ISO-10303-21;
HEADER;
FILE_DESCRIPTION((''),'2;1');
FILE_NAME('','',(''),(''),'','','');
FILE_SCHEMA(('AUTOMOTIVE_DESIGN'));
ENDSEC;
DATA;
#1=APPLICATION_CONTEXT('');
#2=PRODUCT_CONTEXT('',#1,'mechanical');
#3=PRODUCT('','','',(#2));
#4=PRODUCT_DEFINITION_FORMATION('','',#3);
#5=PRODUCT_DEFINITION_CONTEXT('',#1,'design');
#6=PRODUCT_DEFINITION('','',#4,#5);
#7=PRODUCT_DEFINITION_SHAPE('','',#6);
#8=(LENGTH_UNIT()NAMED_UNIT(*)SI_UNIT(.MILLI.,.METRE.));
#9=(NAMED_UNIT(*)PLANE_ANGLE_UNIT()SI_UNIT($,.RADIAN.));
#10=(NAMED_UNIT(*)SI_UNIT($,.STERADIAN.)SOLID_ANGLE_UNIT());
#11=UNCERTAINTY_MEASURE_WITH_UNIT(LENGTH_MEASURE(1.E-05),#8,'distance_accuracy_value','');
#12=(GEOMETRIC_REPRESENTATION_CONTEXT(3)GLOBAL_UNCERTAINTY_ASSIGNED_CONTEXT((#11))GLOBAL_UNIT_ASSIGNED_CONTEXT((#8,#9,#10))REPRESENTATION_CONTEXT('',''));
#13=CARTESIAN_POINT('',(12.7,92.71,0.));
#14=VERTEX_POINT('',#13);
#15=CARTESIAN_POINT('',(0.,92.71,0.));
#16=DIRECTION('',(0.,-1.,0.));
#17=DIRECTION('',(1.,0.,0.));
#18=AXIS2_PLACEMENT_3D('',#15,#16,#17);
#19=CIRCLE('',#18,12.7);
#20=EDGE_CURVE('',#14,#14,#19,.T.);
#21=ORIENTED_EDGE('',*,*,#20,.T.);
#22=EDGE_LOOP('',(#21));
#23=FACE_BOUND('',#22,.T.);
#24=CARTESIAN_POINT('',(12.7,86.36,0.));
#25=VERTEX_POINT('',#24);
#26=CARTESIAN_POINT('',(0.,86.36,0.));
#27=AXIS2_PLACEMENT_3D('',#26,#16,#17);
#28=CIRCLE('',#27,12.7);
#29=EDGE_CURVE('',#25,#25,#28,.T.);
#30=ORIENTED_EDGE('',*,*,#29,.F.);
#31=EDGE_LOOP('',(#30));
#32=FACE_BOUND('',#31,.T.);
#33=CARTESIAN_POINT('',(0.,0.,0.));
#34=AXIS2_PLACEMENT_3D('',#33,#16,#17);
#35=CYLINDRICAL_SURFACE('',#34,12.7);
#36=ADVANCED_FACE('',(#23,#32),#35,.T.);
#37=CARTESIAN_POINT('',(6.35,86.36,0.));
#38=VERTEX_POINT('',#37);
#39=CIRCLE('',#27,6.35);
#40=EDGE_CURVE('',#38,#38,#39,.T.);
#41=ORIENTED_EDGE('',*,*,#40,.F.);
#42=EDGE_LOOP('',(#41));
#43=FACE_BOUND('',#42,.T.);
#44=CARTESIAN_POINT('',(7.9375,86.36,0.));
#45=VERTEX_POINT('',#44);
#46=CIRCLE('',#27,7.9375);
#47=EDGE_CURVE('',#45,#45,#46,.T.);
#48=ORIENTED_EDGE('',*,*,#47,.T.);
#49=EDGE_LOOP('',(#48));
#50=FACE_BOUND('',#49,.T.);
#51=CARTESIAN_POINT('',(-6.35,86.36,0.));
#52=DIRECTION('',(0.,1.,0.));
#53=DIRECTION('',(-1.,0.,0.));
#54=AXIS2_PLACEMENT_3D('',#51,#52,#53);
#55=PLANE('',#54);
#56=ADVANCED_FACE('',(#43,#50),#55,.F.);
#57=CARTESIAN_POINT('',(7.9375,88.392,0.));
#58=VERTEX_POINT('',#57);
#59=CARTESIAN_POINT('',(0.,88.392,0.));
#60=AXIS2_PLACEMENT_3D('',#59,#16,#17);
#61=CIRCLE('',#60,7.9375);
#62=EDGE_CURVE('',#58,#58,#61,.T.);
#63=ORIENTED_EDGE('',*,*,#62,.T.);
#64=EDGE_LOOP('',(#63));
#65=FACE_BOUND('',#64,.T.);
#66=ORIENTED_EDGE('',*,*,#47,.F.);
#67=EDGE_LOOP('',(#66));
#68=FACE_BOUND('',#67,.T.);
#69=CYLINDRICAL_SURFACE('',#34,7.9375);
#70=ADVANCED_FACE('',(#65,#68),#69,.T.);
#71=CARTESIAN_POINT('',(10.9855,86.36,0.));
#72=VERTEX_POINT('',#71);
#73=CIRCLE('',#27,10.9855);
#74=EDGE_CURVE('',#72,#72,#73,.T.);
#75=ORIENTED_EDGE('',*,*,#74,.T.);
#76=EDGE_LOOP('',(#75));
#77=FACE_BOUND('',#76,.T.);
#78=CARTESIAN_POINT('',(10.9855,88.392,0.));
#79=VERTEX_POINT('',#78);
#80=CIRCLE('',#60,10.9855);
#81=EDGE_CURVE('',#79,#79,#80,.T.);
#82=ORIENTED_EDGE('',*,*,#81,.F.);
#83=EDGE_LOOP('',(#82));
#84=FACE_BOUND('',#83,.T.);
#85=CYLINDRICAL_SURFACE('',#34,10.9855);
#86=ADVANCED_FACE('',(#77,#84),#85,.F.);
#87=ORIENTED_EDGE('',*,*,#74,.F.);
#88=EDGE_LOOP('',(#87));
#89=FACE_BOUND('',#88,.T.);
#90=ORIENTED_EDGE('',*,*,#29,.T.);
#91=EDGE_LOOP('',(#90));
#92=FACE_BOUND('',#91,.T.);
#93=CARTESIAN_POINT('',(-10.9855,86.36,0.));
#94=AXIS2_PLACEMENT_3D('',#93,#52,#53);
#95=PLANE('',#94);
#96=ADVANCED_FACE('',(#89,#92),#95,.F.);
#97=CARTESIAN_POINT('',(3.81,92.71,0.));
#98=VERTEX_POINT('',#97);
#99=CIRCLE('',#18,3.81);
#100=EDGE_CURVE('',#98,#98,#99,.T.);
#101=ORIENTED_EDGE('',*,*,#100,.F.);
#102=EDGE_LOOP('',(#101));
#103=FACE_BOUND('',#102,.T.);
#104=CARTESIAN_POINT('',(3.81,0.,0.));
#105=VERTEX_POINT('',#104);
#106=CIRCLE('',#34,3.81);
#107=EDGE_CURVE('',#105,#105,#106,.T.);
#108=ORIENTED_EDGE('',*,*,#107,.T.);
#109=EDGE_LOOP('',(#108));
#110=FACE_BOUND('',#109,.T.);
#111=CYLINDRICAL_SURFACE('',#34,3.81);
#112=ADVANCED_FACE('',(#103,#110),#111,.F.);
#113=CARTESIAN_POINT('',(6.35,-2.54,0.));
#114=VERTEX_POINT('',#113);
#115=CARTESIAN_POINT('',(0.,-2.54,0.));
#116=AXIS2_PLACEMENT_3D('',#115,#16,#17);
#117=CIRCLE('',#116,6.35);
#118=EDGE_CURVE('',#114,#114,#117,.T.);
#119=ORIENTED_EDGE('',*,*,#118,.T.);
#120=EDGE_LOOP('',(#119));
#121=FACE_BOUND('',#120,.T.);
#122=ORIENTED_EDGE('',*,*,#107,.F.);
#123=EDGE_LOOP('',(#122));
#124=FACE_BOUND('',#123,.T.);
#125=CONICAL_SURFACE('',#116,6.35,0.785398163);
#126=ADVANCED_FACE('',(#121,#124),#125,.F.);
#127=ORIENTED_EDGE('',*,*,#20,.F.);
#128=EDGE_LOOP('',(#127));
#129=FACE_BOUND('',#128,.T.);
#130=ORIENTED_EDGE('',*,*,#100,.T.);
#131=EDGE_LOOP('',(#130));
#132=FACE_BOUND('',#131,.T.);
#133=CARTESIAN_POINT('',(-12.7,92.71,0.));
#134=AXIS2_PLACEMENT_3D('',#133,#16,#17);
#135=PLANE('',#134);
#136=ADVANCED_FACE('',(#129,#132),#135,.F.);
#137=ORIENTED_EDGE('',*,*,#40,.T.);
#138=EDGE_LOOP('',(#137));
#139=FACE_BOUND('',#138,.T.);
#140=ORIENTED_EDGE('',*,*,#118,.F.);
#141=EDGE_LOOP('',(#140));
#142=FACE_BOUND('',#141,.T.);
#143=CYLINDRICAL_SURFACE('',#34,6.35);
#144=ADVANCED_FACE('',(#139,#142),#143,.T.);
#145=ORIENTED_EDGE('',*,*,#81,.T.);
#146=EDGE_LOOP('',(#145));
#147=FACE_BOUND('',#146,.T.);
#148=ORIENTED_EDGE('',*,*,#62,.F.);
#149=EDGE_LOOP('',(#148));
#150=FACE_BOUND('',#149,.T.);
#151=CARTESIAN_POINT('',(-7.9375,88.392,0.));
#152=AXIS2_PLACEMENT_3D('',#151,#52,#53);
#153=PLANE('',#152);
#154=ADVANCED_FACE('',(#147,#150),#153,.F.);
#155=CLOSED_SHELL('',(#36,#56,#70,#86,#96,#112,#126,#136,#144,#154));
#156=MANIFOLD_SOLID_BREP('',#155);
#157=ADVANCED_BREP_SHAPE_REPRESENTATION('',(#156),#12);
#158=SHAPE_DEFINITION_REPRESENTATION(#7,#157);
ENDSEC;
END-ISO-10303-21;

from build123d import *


with BuildPart() as part:
    # Sketch1 → Revolve1 (revolve)
    with BuildSketch(Plane.XY):
        Polygon((-3.81, 0), (-6.35, -2.54), (-6.35, 86.36), (-7.9375, 86.36), (-7.9375, 88.392), (-10.9855, 88.392), (-10.9855, 86.36), (-12.7, 86.36), (-12.7, 92.71), (-3.81, 92.71), align=None)
    revolve(axis=Axis((0, 0, 0), (0, 1, 0)))


solid = part.part
